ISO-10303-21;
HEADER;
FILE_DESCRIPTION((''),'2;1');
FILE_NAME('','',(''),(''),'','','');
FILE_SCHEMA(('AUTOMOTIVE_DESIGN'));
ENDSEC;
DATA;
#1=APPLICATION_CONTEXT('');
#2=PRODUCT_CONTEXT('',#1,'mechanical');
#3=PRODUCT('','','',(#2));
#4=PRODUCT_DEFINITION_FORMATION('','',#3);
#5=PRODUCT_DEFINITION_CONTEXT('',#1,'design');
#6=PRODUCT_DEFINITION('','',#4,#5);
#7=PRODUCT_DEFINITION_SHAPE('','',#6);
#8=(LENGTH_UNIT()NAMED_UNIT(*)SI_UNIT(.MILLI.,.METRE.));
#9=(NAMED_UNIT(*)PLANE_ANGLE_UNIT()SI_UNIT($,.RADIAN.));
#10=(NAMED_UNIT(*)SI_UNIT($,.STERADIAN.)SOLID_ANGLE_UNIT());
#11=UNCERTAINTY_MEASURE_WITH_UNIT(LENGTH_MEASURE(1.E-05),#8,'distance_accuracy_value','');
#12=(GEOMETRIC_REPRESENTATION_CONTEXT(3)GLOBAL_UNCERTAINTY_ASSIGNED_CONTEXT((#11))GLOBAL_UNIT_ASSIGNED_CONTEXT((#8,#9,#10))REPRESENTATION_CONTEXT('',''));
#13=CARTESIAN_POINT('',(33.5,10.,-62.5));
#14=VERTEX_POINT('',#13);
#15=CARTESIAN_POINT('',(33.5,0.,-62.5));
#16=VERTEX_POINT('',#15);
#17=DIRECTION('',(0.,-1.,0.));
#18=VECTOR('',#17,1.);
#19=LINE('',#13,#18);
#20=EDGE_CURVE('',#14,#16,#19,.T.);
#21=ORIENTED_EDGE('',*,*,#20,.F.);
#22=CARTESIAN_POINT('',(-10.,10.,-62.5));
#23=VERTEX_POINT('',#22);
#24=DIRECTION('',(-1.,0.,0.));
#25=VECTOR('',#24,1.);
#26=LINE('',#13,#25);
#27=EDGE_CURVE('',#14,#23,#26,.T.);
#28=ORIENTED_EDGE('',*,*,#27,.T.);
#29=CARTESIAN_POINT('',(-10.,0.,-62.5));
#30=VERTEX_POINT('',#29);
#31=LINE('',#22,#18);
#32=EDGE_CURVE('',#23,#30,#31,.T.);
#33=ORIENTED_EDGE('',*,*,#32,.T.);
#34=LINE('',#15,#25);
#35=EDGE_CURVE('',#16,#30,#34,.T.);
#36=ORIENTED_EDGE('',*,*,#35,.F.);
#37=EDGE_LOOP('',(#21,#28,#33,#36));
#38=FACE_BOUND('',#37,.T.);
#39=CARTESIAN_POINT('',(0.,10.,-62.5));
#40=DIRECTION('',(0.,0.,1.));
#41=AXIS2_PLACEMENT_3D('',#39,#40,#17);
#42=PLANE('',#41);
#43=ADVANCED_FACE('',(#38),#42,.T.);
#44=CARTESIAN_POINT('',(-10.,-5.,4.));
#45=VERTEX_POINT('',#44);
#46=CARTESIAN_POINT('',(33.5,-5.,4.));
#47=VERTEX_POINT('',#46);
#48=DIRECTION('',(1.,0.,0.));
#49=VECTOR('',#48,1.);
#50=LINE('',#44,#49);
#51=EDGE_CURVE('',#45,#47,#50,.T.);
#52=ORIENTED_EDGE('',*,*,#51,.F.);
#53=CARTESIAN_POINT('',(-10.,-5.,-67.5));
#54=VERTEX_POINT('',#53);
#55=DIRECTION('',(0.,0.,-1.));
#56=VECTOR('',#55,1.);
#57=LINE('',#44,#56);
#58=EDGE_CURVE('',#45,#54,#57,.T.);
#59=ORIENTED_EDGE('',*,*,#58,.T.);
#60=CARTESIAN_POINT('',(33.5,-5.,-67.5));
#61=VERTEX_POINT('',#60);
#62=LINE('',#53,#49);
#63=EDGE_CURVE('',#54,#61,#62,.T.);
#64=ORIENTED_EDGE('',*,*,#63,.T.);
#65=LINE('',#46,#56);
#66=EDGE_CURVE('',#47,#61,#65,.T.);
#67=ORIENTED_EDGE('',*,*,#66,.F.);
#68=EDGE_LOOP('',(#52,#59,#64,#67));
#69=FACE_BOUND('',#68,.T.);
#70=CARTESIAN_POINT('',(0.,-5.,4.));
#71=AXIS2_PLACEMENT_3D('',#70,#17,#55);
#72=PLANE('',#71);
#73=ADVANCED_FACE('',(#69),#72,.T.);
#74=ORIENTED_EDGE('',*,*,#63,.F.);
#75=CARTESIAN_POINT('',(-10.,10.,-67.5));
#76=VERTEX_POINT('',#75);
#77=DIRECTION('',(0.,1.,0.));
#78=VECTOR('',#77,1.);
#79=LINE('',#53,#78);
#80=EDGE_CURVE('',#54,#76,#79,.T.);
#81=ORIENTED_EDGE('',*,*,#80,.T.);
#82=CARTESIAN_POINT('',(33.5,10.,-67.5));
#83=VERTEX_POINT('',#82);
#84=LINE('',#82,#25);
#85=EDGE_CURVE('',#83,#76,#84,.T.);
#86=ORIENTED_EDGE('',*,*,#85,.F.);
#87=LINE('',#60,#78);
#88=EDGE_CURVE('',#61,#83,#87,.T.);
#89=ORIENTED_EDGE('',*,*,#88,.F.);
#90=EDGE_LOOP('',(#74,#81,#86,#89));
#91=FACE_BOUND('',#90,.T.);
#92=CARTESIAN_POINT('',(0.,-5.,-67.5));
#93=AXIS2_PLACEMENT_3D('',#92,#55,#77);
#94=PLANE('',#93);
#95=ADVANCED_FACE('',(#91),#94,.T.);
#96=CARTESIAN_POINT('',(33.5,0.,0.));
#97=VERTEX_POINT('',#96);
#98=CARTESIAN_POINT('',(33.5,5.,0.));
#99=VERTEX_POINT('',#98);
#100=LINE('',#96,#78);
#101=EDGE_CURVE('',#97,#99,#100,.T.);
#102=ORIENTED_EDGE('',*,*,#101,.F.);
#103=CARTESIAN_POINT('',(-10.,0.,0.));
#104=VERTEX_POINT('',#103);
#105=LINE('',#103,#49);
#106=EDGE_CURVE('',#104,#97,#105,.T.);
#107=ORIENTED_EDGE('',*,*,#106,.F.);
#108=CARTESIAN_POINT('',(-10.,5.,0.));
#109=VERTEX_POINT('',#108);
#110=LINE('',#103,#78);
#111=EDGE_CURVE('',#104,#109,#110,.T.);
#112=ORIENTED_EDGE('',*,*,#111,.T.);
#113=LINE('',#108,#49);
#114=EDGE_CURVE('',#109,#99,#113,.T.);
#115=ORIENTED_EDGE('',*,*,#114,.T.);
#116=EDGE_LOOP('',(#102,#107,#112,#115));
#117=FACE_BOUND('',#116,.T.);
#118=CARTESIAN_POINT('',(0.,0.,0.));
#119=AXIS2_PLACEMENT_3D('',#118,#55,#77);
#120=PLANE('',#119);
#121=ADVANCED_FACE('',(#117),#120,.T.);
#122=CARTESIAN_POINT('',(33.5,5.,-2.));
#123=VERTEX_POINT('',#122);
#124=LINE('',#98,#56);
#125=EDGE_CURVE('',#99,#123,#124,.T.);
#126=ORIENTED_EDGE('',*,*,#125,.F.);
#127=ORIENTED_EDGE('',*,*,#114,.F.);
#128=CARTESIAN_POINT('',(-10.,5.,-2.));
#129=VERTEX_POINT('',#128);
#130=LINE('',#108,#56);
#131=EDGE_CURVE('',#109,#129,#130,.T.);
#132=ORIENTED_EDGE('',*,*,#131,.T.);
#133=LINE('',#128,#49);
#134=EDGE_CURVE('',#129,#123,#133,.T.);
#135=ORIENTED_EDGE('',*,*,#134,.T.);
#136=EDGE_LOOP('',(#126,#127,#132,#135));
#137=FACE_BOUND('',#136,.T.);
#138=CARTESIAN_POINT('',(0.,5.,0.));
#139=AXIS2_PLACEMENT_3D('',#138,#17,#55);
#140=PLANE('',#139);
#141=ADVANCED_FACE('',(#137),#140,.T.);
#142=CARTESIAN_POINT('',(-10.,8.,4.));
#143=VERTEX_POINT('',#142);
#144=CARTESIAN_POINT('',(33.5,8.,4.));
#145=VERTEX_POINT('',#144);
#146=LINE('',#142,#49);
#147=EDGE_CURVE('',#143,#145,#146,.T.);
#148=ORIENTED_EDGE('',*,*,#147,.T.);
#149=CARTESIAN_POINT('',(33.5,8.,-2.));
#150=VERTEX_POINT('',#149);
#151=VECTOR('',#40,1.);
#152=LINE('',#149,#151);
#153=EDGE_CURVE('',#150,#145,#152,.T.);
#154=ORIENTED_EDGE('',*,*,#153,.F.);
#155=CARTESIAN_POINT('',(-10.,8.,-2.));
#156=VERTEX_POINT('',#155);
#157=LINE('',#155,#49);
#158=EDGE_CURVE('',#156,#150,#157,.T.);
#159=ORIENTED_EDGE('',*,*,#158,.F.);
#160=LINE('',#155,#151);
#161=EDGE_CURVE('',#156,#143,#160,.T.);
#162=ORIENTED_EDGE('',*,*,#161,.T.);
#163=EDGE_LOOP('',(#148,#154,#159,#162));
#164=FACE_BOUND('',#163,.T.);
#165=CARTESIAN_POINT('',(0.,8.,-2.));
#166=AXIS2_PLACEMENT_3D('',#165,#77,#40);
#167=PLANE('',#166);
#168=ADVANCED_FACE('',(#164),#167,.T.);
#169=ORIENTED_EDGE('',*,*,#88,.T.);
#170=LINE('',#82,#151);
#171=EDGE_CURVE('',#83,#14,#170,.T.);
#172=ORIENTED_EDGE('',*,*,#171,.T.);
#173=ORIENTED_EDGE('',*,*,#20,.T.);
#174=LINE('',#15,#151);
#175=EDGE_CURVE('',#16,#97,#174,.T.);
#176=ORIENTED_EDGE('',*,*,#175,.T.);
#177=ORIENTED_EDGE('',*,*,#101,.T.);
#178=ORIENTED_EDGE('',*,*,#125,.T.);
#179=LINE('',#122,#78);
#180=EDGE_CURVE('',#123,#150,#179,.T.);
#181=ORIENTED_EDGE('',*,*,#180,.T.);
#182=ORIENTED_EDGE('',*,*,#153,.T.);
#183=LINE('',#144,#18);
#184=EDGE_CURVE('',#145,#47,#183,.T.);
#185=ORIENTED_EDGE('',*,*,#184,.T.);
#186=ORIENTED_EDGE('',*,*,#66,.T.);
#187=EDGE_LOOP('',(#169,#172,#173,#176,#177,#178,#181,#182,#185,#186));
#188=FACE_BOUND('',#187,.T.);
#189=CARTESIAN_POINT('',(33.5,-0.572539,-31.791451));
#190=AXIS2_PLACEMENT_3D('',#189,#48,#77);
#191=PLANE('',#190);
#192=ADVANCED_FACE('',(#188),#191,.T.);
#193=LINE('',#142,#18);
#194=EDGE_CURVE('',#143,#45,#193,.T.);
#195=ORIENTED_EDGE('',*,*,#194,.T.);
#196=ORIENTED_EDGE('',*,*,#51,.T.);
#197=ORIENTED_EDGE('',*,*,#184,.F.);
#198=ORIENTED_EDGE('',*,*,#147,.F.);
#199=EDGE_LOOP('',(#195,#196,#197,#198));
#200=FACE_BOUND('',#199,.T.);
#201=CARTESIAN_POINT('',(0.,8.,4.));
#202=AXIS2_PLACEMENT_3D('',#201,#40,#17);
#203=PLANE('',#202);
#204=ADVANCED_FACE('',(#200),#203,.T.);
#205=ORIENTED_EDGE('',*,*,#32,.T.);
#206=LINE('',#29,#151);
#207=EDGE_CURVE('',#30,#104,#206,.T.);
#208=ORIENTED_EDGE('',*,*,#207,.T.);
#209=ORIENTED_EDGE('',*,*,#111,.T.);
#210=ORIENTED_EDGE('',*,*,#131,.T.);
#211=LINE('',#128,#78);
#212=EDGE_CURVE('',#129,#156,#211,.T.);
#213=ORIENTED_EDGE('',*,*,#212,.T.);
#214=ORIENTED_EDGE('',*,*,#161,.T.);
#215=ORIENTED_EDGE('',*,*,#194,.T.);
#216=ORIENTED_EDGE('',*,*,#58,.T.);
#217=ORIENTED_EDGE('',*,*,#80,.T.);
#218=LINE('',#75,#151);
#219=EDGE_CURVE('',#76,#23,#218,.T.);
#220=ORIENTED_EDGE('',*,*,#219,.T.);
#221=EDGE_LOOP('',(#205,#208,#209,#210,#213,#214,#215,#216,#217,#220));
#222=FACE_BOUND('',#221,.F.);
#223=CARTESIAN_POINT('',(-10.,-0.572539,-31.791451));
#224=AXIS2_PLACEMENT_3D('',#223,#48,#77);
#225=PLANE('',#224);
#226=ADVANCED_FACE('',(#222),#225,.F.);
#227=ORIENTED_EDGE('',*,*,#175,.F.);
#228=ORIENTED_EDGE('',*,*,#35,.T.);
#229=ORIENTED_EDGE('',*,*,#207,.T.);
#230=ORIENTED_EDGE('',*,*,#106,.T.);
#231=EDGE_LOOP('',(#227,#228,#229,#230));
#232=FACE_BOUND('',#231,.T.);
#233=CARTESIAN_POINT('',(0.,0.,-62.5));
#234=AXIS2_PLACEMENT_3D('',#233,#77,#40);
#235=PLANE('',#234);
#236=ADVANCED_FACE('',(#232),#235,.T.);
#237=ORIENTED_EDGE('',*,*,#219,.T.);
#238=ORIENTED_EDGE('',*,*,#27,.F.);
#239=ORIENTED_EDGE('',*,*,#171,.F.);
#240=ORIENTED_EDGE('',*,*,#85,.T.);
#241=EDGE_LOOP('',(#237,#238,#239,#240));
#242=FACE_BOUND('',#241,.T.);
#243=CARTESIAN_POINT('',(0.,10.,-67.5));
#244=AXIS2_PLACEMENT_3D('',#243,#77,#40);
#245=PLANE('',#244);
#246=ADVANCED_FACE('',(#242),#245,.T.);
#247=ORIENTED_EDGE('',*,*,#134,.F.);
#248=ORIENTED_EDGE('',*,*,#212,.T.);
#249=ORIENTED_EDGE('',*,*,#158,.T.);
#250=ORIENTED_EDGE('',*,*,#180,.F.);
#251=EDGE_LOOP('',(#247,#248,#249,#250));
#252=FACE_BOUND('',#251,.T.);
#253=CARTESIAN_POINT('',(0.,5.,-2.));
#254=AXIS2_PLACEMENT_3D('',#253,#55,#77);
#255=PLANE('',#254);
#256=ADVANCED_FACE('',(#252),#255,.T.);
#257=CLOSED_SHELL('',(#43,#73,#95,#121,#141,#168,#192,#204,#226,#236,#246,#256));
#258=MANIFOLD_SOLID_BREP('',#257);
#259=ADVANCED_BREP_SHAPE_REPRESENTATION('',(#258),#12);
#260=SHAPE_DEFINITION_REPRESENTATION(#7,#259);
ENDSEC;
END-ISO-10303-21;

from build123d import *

# Parameters (mm, degrees)
F1_DEPTH      = 33.5
F1_DEPTH_BACK = 10


with BuildPart() as f1:
    # F0 (on Right) → F1 (new body, two sides)
    with BuildSketch(Plane.YZ) as f1_sk:
        Polygon((0, -62.5), (0, 0), (5, 0), (5, -2), (8, -2), (8, 4), (-5, 4), (-5, -67.5), (10, -67.5), (10, -62.5), align=None)
    extrude(amount=F1_DEPTH)
    extrude(f1_sk.sketch, amount=-F1_DEPTH_BACK)


solid = f1.part
